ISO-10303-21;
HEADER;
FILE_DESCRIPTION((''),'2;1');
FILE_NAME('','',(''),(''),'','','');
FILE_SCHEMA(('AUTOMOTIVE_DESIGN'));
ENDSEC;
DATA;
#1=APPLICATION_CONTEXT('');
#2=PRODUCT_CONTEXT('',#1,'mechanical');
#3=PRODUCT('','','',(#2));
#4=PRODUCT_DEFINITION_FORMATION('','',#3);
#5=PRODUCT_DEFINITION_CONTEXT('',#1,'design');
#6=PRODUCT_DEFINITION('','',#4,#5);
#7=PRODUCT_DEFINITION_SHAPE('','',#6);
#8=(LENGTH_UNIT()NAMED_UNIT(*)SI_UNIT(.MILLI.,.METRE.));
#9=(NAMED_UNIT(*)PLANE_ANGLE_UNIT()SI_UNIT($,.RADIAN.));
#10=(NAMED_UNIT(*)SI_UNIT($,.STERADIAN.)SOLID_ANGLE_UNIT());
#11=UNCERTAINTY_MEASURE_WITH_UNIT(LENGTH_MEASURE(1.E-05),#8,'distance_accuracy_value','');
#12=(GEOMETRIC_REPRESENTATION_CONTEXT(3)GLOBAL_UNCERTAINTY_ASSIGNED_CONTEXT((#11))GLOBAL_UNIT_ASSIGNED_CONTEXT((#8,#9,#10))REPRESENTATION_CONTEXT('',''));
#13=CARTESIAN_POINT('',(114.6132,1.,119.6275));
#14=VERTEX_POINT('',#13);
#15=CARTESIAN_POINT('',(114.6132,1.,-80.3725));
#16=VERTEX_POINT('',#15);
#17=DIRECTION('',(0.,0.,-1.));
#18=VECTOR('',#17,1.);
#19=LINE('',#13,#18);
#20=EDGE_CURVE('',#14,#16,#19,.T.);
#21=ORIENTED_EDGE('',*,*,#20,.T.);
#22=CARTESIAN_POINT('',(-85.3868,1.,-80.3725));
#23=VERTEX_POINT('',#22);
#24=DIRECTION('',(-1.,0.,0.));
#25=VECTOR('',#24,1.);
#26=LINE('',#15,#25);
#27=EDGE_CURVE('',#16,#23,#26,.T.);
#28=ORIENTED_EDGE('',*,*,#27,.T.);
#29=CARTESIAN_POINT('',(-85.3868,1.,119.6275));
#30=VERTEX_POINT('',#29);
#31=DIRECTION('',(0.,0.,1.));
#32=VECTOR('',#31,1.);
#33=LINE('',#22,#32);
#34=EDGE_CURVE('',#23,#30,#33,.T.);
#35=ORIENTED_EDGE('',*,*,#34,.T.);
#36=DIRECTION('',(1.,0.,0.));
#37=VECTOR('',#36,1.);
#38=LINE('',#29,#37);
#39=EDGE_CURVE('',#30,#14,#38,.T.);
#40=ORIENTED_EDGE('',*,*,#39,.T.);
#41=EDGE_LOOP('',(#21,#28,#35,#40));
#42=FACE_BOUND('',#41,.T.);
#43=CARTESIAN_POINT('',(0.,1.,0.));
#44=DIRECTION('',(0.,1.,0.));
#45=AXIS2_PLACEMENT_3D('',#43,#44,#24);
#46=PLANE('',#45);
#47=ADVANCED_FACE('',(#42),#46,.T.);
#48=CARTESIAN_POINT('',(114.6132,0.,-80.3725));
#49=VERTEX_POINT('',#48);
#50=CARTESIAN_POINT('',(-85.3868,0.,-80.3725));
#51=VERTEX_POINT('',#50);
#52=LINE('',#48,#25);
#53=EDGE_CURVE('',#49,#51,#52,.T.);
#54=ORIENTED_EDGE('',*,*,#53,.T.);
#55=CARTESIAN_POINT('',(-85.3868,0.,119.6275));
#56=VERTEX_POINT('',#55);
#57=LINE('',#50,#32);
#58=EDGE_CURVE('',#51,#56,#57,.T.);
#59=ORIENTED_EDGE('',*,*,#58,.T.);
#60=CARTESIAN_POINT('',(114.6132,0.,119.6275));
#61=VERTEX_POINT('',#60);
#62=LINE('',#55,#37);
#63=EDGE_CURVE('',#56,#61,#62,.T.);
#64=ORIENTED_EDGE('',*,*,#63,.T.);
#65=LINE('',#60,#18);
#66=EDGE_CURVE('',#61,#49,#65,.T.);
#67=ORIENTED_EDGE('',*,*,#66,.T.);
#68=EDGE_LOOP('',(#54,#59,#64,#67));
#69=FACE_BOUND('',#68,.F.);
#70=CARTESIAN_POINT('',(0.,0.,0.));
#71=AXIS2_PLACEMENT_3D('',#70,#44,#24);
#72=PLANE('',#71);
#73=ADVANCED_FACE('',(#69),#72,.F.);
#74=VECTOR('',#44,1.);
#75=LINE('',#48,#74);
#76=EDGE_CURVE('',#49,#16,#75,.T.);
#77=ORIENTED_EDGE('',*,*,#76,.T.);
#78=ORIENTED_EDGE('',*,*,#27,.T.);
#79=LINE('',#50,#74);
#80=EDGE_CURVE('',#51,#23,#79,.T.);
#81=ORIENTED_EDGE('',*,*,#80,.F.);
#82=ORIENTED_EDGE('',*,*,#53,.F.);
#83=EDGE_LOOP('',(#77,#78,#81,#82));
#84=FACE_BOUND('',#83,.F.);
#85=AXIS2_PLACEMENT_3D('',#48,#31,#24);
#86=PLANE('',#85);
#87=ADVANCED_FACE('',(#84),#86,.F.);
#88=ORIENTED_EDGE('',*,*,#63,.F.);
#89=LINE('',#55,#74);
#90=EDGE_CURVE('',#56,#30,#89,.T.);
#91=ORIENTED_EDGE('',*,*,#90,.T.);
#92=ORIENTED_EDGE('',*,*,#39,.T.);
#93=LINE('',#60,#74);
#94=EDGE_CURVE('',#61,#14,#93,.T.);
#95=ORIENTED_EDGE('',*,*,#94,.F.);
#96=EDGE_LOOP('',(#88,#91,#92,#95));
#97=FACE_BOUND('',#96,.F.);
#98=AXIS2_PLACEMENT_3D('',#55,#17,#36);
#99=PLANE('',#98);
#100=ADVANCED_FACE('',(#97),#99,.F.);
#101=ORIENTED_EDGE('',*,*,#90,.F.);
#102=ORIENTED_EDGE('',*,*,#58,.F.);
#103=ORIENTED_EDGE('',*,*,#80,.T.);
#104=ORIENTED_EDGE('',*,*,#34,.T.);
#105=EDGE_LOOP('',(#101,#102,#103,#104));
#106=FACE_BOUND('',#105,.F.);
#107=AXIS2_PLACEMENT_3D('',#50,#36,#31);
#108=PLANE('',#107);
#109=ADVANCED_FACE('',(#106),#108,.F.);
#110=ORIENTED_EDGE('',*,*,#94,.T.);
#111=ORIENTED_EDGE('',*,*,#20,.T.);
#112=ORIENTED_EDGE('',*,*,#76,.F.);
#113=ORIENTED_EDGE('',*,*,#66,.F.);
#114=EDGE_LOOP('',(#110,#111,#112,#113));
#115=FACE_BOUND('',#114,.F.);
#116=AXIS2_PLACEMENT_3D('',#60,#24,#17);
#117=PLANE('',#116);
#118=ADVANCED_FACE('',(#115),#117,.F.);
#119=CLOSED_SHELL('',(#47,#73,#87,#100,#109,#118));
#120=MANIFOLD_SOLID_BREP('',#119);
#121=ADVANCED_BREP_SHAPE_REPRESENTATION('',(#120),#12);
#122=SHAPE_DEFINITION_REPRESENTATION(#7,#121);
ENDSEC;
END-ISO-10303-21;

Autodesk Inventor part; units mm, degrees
ref_plane "YZ Plane" through (0, 0, 0) normal (1, 0, 0) x (0, 1, 0)
ref_plane "XZ Plane" through (0, 0, 0) normal (0, 1, 0) x (-1, 0, 0)
ref_plane "XY Plane" through (0, 0, 0) normal (0, 0, 1) x (1, 0, 0)
sketch "スケッチ1" plane through (0, 0, 0) normal (0, 1, 0) x (-1, 0, 0)
  line L0 (85.3868, 119.6275) -> (-114.6132, 119.6275)
  line L1 (-114.6132, 119.6275) -> (-114.6132, -80.3725)
  line L2 (-114.6132, -80.3725) -> (85.3868, -80.3725)
  line L3 (85.3868, -80.3725) -> (85.3868, 119.6275)
  point P0 (0, 0)
  dimension "d2" = 200
  dimension "d3" = 200
extrude "押し出し1" add sketch "スケッチ1" along normal blind 1
properties part number "floor"
